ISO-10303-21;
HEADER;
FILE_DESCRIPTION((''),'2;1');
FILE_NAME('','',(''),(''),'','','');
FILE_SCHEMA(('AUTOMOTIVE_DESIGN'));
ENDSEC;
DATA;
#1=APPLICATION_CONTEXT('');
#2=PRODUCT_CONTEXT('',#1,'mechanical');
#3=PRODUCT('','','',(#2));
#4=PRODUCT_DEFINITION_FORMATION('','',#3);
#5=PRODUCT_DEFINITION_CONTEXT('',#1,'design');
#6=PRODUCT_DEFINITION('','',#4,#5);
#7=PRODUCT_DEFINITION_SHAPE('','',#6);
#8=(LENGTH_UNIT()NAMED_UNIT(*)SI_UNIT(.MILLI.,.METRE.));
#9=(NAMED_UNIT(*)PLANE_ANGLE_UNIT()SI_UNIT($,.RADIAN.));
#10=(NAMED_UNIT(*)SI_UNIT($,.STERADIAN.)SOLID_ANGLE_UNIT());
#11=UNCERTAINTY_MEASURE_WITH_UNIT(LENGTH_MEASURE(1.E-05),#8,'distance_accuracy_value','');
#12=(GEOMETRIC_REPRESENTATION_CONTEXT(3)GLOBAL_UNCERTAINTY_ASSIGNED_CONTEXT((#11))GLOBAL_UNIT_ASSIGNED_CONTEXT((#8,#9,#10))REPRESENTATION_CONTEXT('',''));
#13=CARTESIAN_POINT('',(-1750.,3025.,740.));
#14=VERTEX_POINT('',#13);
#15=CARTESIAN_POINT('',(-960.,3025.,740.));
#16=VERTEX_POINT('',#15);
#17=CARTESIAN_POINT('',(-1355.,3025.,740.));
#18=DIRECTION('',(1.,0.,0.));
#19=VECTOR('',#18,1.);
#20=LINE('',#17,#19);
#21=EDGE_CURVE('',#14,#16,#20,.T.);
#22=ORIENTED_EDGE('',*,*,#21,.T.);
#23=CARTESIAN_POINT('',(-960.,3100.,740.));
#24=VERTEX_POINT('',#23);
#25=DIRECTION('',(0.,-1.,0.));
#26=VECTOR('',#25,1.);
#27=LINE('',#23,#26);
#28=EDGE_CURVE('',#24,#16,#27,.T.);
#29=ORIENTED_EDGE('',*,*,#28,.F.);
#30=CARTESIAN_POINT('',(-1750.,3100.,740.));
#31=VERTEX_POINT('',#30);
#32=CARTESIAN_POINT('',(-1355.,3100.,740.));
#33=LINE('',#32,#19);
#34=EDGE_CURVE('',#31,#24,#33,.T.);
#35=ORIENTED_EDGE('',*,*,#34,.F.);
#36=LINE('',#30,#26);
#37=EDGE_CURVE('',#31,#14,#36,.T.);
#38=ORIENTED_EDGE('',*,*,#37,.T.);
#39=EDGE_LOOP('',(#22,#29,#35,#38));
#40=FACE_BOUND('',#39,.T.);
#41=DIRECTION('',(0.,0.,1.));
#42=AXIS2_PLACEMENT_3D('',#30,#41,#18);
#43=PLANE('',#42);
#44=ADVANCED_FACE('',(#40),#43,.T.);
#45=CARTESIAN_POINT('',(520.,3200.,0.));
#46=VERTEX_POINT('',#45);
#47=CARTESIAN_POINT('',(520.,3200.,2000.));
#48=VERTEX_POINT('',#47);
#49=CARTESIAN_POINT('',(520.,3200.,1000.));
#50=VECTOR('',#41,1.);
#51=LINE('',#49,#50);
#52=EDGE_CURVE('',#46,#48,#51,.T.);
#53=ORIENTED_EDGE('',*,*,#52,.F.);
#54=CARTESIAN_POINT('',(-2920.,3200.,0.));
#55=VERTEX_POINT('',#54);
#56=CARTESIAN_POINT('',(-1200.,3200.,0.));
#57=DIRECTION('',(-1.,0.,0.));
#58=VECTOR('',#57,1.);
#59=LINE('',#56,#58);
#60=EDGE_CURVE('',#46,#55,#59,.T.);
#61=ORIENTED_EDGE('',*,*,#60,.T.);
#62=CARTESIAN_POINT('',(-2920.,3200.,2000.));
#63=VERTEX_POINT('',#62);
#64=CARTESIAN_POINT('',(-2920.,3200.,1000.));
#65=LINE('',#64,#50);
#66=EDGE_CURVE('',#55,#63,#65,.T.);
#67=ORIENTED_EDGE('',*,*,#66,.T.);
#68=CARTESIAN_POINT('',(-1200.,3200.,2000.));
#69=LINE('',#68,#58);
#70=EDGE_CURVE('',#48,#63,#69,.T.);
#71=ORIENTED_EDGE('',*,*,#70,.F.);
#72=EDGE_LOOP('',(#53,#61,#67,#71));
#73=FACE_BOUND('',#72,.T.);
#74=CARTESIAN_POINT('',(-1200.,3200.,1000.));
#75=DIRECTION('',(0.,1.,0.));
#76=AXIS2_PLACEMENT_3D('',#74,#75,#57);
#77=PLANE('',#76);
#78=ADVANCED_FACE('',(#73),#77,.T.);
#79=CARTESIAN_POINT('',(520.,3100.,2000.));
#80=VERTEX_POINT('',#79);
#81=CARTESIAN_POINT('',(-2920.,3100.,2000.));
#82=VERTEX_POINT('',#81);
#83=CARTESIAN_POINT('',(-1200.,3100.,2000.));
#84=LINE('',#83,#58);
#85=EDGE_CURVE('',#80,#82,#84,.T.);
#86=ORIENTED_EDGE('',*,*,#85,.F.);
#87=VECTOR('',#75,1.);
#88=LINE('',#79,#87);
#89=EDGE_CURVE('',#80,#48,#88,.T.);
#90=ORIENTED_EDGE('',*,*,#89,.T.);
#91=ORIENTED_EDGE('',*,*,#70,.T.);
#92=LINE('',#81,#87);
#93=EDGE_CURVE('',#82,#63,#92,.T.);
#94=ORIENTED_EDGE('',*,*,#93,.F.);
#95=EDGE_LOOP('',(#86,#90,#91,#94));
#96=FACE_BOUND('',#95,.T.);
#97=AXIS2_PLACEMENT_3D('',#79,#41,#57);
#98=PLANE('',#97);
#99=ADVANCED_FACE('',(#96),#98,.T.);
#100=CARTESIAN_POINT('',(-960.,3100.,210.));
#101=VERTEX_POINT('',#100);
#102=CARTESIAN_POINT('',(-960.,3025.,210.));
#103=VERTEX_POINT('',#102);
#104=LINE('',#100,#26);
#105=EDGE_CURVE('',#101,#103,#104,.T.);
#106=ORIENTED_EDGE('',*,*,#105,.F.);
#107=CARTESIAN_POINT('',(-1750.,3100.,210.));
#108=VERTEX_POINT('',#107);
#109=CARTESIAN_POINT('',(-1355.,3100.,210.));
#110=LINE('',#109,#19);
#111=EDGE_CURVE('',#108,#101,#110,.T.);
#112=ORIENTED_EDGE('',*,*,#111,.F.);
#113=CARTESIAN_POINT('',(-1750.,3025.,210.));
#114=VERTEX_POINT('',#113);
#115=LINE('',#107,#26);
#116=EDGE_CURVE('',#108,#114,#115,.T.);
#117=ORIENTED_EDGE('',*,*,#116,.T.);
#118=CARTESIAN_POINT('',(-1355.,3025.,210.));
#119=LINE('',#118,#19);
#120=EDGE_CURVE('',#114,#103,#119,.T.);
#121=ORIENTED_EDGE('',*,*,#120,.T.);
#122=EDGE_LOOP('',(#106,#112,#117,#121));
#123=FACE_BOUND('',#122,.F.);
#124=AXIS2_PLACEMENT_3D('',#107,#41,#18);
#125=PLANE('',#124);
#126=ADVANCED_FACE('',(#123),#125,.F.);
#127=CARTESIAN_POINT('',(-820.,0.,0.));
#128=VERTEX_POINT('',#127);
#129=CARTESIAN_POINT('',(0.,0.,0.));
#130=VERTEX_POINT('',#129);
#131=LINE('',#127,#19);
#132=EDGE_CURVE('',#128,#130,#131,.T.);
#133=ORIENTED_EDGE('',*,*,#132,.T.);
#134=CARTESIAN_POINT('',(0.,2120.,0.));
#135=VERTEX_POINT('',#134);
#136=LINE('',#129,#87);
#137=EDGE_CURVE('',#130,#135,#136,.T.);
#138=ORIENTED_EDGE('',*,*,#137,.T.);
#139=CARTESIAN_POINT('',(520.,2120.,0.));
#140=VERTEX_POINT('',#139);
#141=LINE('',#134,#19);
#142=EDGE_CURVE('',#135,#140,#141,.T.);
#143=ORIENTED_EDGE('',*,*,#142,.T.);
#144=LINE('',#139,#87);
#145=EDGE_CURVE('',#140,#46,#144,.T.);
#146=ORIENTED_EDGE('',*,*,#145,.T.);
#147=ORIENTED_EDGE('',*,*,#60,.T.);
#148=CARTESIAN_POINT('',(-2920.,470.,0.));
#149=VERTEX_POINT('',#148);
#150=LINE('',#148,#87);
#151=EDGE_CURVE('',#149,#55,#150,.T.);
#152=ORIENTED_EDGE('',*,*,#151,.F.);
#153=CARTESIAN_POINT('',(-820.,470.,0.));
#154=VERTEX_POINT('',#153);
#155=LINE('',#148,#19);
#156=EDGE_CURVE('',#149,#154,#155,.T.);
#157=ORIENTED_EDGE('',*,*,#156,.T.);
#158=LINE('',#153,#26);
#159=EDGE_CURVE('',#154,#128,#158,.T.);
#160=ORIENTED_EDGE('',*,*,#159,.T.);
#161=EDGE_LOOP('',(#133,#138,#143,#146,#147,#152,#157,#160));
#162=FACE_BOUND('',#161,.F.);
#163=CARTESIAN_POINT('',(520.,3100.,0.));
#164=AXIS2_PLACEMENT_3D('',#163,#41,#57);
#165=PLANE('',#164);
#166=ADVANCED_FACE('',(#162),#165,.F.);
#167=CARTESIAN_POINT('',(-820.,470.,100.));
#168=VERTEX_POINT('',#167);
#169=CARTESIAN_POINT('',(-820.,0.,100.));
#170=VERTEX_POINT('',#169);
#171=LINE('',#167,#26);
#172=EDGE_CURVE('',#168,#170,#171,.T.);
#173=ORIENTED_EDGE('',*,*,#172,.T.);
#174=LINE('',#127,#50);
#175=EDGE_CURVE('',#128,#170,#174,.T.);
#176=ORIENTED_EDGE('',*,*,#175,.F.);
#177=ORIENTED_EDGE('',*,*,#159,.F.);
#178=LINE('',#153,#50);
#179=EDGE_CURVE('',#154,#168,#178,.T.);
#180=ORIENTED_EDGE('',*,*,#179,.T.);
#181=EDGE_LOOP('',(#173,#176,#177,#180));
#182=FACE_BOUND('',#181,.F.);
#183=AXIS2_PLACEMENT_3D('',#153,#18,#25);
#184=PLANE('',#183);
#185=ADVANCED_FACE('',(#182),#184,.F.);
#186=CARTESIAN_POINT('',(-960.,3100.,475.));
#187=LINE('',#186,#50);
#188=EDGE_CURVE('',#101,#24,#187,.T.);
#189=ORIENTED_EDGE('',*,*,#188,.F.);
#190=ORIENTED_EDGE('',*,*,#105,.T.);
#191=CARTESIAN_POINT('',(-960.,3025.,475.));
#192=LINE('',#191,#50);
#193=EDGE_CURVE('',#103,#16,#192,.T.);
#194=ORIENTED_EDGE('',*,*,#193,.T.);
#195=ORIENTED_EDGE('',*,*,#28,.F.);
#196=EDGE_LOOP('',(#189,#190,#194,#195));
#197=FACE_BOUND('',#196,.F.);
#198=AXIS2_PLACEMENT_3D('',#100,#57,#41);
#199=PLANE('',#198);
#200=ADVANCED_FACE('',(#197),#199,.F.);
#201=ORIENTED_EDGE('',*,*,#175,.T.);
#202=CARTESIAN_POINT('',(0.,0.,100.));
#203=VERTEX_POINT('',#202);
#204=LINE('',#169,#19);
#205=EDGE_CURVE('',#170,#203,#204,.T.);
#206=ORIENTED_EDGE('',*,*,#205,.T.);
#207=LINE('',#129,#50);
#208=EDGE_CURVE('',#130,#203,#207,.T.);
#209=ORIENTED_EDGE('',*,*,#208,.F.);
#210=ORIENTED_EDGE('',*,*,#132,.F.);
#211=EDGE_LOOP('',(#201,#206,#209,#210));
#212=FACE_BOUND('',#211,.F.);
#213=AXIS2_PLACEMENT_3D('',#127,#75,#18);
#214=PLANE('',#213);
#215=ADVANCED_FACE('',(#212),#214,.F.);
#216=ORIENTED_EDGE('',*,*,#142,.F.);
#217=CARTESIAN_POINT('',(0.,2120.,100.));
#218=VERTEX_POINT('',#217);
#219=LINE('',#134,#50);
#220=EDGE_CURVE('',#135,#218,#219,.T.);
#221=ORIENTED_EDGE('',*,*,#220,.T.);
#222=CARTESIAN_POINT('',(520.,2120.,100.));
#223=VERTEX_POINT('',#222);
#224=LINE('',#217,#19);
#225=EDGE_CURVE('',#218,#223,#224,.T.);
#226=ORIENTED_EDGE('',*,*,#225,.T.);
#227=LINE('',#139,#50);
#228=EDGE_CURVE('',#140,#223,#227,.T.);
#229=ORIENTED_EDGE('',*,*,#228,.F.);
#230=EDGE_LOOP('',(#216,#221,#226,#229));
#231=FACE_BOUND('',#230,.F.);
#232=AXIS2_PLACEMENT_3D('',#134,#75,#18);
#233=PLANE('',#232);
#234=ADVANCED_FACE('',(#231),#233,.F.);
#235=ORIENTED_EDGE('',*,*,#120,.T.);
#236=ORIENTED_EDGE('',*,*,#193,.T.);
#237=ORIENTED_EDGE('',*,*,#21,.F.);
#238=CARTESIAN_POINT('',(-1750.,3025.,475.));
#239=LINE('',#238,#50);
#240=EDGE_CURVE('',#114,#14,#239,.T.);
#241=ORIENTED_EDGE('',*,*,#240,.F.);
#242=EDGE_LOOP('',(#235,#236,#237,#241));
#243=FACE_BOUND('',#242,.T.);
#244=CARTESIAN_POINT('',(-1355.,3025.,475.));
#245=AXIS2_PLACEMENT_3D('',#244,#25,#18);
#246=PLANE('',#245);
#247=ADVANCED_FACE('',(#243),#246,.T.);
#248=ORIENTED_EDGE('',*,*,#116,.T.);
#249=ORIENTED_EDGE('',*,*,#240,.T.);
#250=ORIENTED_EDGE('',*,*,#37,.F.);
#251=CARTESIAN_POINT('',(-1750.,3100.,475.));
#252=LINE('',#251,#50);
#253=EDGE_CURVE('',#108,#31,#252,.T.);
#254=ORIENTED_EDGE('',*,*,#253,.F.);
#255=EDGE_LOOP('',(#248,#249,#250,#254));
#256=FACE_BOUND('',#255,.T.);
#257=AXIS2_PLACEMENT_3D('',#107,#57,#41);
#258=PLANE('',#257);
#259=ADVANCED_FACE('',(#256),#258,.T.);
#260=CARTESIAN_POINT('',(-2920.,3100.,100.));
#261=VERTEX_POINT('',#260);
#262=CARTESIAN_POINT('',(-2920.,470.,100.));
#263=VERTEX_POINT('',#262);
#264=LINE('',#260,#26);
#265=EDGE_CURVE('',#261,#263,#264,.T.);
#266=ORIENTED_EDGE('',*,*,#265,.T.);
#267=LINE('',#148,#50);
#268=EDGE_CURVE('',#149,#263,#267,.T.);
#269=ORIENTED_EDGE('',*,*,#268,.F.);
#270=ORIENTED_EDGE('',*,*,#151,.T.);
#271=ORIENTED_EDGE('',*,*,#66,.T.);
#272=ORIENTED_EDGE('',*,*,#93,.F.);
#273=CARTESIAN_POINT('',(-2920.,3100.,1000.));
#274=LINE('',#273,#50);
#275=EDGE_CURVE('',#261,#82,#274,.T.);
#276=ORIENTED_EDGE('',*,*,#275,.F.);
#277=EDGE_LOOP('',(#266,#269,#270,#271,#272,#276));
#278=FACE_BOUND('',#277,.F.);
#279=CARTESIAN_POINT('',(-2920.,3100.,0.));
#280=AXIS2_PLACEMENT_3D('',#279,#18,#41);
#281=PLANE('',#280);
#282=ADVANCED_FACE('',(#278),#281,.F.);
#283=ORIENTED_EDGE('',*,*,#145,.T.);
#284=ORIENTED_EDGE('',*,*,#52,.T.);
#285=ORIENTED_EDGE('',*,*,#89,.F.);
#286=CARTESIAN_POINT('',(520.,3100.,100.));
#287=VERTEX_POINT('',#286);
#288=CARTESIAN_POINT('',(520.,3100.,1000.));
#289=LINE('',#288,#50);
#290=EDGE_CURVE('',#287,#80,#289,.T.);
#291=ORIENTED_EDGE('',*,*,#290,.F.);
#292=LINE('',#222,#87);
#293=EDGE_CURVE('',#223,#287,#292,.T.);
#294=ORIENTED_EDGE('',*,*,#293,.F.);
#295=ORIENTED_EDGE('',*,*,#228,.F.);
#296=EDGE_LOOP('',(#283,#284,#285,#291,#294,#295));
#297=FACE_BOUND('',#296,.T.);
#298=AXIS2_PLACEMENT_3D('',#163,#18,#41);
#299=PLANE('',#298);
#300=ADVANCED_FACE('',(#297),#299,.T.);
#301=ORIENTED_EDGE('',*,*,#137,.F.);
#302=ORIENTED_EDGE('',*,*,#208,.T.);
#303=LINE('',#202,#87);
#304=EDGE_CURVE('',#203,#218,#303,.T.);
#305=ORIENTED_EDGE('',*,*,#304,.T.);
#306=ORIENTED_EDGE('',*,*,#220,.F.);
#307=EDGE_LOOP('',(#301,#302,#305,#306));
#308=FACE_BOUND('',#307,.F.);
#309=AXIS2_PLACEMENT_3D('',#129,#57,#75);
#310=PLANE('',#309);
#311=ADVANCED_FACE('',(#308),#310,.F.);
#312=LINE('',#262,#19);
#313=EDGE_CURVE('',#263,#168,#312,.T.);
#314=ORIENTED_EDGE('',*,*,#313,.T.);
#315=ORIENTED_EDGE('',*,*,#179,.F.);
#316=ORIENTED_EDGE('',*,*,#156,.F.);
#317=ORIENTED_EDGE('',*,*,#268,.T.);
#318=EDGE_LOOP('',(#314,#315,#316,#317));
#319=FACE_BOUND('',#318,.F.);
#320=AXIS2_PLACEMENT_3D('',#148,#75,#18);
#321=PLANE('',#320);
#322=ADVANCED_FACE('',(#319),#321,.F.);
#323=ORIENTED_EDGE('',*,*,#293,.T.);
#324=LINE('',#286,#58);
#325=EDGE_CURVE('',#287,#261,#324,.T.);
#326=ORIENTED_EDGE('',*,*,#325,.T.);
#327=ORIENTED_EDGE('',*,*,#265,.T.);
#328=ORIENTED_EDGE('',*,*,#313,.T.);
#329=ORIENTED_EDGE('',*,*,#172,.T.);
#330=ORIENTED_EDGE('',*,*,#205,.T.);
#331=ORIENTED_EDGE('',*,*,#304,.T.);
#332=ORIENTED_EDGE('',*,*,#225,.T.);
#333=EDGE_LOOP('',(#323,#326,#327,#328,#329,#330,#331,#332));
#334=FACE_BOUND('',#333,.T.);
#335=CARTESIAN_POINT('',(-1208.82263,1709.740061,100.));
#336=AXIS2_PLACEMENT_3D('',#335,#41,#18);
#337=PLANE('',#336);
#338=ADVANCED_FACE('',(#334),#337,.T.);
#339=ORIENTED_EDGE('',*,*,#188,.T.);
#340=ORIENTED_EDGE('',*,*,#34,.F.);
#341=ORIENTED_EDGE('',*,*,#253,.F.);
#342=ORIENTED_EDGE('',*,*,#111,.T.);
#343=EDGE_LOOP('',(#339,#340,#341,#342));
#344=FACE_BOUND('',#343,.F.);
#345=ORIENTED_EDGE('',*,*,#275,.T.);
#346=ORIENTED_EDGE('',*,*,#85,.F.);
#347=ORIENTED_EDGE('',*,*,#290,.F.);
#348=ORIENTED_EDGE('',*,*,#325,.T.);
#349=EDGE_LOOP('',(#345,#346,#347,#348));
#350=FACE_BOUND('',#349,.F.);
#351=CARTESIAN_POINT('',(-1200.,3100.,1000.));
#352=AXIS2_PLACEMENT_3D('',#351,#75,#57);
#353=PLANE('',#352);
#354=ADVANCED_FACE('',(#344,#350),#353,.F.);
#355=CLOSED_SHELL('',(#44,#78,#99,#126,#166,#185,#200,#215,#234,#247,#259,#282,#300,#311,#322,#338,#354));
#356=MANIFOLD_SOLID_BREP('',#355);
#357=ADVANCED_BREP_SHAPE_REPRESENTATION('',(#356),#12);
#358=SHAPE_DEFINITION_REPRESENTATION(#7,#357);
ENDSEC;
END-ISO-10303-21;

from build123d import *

# Parameters (mm, degrees)
F1_DEPTH = 100
F2_W     = 3440
F2_H     = 2000
F3_DEPTH = 100
F4_W     = 790
F4_H     = 530
F5_DEPTH = 75


with BuildPart() as f1:
    # F0 (on Top) → F1 (new body)
    with BuildSketch(Plane.XY):
        Polygon((-820, 0), (0, 0), (0, 2120), (520, 2120), (520, 3100), (-2920, 3100), (-2920, 470), (-820, 470), align=None)
    extrude(amount=F1_DEPTH)

    # F2 (on face) → F3 (join)
    with BuildSketch(Plane(origin=(0, 3100, 0), x_dir=(-1, 0, 0), z_dir=(0, 1, 0))):
        with Locations((1200, 1000)):
            Rectangle(F2_W, F2_H)
    extrude(amount=F3_DEPTH)

    # F4 (on face) → F5 (join)
    with BuildSketch(Plane.XZ.offset(-3100)):
        with Locations((-1355, 475)):
            Rectangle(F4_W, F4_H)
    extrude(amount=F5_DEPTH)


solid = f1.part
